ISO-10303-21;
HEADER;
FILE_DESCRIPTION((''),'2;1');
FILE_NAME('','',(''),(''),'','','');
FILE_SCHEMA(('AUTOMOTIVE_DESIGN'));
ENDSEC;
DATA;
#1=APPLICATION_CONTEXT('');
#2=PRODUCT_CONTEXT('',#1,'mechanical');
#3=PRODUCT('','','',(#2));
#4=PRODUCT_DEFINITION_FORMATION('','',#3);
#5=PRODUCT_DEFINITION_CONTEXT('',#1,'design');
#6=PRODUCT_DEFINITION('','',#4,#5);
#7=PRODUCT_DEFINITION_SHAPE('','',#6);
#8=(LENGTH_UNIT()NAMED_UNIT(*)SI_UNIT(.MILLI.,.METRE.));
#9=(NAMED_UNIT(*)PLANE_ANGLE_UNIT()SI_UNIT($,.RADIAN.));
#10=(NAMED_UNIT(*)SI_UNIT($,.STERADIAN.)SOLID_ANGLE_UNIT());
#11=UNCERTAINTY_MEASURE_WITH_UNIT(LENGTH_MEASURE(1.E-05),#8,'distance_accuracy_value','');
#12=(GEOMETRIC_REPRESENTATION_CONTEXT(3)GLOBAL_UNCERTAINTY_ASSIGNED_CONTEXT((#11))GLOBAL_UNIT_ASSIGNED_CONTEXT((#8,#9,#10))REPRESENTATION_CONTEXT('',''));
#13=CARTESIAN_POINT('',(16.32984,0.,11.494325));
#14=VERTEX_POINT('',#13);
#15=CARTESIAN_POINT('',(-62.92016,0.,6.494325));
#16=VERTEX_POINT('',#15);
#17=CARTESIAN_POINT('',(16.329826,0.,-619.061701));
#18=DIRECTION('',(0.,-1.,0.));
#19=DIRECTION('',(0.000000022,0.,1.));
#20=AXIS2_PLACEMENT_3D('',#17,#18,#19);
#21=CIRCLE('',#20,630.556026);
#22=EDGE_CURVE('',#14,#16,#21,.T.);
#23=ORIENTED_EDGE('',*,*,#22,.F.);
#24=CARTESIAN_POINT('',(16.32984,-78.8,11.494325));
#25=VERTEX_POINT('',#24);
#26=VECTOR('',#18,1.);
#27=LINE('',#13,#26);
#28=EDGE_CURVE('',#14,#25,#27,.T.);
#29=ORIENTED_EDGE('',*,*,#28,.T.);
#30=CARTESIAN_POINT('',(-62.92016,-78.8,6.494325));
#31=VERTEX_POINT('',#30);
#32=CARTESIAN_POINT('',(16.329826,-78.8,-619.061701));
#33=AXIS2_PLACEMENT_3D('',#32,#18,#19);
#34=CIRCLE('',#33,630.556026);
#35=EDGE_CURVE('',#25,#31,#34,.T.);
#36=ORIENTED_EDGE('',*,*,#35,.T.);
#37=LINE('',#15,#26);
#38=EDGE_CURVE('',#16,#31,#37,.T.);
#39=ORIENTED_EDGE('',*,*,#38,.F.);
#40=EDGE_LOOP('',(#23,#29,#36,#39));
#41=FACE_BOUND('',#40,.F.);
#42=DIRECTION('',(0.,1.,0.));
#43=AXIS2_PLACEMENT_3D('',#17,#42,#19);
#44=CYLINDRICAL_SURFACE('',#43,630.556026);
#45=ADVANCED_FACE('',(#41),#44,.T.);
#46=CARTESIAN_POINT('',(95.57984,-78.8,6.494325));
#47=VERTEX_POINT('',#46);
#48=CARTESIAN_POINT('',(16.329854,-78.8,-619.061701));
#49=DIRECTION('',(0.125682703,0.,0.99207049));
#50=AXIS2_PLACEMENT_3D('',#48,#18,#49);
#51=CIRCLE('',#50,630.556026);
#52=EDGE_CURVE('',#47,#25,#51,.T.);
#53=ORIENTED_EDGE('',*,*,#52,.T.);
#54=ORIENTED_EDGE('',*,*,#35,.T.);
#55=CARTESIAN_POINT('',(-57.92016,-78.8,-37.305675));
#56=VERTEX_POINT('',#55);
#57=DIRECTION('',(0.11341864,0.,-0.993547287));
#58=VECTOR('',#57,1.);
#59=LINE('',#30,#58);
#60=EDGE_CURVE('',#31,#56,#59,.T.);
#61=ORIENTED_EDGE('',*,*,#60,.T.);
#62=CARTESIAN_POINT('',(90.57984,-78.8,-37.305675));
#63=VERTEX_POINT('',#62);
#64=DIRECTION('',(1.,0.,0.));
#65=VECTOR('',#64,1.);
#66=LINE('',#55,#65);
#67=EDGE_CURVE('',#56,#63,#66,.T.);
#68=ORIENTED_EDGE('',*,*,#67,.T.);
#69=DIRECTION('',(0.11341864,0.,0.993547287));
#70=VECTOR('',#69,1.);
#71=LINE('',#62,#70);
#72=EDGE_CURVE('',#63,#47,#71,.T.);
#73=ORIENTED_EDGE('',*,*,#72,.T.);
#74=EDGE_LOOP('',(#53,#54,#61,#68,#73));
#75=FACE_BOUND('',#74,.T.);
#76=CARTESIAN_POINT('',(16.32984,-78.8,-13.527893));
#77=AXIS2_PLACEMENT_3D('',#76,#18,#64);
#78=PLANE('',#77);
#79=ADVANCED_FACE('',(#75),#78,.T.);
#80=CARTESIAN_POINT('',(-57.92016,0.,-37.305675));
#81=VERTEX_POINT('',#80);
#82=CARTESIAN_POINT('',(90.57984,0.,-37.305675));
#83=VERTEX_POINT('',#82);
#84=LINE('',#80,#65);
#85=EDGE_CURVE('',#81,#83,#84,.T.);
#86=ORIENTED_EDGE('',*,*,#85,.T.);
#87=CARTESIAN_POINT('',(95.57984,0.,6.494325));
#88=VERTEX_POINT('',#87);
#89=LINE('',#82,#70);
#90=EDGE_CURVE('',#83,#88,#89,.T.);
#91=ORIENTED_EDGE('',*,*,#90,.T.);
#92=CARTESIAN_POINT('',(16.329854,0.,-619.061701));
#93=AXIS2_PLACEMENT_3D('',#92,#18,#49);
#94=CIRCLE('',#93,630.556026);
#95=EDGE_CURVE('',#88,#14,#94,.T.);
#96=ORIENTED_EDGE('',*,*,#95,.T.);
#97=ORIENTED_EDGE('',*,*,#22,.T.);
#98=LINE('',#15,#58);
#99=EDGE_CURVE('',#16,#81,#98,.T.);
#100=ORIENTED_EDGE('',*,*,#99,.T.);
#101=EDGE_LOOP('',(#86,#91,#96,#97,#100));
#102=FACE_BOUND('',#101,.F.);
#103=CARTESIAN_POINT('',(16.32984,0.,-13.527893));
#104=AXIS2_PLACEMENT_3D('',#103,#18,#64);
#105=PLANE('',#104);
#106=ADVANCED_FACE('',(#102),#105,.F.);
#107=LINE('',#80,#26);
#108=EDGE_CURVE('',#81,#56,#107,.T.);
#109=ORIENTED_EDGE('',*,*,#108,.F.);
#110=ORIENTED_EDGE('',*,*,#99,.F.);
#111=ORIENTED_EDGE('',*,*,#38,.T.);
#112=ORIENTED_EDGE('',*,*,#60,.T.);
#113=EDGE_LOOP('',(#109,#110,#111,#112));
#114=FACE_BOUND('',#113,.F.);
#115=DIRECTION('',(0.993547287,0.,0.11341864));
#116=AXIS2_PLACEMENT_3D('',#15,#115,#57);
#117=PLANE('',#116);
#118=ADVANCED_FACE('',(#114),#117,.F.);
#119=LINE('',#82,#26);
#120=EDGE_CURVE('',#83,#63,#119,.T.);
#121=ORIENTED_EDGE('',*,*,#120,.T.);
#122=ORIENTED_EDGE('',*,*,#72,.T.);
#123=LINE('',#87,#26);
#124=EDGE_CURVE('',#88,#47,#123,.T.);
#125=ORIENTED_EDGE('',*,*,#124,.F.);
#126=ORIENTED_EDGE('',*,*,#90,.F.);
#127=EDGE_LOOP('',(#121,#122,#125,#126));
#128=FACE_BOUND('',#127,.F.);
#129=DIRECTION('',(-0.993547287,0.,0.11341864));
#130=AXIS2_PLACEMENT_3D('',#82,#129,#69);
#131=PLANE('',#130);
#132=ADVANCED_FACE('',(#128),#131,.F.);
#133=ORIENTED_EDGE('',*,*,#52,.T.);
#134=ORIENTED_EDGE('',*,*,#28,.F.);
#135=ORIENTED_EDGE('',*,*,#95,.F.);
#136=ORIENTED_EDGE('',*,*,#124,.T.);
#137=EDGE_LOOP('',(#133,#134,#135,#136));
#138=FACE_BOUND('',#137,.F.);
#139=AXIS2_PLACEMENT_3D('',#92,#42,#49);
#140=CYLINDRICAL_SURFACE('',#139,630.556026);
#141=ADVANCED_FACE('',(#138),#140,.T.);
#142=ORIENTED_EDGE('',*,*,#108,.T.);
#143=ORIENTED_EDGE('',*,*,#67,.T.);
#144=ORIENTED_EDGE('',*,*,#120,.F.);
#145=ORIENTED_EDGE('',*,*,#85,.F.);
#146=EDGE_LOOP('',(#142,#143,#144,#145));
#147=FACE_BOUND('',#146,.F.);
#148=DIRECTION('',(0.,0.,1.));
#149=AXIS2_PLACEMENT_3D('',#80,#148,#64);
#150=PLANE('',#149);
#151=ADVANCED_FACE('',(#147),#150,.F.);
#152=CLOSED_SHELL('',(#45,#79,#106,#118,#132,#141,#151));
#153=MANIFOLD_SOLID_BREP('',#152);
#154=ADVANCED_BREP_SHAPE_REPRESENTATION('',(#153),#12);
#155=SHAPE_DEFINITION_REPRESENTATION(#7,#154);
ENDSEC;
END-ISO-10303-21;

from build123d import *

# Parameters (mm, degrees)
F1_DEPTH = 78.8


with BuildPart() as f1:
    # F0 (on Front) → F1 (new body)
    with BuildSketch(Plane.XZ):
        with BuildLine():
            Line((-62.92016, 6.494325), (-57.92016, -37.305675))
            Line((-57.92016, -37.305675), (90.57984, -37.305675))
            Line((90.57984, -37.305675), (95.57984, 6.494325))
            ThreePointArc((95.57984, 6.494325), (56.033626, 10.243084), (16.32984, 11.494325))
            ThreePointArc((16.32984, 11.494325), (-23.373946, 10.243084), (-62.92016, 6.494325))
        make_face()
    extrude(amount=F1_DEPTH)


solid = f1.part
